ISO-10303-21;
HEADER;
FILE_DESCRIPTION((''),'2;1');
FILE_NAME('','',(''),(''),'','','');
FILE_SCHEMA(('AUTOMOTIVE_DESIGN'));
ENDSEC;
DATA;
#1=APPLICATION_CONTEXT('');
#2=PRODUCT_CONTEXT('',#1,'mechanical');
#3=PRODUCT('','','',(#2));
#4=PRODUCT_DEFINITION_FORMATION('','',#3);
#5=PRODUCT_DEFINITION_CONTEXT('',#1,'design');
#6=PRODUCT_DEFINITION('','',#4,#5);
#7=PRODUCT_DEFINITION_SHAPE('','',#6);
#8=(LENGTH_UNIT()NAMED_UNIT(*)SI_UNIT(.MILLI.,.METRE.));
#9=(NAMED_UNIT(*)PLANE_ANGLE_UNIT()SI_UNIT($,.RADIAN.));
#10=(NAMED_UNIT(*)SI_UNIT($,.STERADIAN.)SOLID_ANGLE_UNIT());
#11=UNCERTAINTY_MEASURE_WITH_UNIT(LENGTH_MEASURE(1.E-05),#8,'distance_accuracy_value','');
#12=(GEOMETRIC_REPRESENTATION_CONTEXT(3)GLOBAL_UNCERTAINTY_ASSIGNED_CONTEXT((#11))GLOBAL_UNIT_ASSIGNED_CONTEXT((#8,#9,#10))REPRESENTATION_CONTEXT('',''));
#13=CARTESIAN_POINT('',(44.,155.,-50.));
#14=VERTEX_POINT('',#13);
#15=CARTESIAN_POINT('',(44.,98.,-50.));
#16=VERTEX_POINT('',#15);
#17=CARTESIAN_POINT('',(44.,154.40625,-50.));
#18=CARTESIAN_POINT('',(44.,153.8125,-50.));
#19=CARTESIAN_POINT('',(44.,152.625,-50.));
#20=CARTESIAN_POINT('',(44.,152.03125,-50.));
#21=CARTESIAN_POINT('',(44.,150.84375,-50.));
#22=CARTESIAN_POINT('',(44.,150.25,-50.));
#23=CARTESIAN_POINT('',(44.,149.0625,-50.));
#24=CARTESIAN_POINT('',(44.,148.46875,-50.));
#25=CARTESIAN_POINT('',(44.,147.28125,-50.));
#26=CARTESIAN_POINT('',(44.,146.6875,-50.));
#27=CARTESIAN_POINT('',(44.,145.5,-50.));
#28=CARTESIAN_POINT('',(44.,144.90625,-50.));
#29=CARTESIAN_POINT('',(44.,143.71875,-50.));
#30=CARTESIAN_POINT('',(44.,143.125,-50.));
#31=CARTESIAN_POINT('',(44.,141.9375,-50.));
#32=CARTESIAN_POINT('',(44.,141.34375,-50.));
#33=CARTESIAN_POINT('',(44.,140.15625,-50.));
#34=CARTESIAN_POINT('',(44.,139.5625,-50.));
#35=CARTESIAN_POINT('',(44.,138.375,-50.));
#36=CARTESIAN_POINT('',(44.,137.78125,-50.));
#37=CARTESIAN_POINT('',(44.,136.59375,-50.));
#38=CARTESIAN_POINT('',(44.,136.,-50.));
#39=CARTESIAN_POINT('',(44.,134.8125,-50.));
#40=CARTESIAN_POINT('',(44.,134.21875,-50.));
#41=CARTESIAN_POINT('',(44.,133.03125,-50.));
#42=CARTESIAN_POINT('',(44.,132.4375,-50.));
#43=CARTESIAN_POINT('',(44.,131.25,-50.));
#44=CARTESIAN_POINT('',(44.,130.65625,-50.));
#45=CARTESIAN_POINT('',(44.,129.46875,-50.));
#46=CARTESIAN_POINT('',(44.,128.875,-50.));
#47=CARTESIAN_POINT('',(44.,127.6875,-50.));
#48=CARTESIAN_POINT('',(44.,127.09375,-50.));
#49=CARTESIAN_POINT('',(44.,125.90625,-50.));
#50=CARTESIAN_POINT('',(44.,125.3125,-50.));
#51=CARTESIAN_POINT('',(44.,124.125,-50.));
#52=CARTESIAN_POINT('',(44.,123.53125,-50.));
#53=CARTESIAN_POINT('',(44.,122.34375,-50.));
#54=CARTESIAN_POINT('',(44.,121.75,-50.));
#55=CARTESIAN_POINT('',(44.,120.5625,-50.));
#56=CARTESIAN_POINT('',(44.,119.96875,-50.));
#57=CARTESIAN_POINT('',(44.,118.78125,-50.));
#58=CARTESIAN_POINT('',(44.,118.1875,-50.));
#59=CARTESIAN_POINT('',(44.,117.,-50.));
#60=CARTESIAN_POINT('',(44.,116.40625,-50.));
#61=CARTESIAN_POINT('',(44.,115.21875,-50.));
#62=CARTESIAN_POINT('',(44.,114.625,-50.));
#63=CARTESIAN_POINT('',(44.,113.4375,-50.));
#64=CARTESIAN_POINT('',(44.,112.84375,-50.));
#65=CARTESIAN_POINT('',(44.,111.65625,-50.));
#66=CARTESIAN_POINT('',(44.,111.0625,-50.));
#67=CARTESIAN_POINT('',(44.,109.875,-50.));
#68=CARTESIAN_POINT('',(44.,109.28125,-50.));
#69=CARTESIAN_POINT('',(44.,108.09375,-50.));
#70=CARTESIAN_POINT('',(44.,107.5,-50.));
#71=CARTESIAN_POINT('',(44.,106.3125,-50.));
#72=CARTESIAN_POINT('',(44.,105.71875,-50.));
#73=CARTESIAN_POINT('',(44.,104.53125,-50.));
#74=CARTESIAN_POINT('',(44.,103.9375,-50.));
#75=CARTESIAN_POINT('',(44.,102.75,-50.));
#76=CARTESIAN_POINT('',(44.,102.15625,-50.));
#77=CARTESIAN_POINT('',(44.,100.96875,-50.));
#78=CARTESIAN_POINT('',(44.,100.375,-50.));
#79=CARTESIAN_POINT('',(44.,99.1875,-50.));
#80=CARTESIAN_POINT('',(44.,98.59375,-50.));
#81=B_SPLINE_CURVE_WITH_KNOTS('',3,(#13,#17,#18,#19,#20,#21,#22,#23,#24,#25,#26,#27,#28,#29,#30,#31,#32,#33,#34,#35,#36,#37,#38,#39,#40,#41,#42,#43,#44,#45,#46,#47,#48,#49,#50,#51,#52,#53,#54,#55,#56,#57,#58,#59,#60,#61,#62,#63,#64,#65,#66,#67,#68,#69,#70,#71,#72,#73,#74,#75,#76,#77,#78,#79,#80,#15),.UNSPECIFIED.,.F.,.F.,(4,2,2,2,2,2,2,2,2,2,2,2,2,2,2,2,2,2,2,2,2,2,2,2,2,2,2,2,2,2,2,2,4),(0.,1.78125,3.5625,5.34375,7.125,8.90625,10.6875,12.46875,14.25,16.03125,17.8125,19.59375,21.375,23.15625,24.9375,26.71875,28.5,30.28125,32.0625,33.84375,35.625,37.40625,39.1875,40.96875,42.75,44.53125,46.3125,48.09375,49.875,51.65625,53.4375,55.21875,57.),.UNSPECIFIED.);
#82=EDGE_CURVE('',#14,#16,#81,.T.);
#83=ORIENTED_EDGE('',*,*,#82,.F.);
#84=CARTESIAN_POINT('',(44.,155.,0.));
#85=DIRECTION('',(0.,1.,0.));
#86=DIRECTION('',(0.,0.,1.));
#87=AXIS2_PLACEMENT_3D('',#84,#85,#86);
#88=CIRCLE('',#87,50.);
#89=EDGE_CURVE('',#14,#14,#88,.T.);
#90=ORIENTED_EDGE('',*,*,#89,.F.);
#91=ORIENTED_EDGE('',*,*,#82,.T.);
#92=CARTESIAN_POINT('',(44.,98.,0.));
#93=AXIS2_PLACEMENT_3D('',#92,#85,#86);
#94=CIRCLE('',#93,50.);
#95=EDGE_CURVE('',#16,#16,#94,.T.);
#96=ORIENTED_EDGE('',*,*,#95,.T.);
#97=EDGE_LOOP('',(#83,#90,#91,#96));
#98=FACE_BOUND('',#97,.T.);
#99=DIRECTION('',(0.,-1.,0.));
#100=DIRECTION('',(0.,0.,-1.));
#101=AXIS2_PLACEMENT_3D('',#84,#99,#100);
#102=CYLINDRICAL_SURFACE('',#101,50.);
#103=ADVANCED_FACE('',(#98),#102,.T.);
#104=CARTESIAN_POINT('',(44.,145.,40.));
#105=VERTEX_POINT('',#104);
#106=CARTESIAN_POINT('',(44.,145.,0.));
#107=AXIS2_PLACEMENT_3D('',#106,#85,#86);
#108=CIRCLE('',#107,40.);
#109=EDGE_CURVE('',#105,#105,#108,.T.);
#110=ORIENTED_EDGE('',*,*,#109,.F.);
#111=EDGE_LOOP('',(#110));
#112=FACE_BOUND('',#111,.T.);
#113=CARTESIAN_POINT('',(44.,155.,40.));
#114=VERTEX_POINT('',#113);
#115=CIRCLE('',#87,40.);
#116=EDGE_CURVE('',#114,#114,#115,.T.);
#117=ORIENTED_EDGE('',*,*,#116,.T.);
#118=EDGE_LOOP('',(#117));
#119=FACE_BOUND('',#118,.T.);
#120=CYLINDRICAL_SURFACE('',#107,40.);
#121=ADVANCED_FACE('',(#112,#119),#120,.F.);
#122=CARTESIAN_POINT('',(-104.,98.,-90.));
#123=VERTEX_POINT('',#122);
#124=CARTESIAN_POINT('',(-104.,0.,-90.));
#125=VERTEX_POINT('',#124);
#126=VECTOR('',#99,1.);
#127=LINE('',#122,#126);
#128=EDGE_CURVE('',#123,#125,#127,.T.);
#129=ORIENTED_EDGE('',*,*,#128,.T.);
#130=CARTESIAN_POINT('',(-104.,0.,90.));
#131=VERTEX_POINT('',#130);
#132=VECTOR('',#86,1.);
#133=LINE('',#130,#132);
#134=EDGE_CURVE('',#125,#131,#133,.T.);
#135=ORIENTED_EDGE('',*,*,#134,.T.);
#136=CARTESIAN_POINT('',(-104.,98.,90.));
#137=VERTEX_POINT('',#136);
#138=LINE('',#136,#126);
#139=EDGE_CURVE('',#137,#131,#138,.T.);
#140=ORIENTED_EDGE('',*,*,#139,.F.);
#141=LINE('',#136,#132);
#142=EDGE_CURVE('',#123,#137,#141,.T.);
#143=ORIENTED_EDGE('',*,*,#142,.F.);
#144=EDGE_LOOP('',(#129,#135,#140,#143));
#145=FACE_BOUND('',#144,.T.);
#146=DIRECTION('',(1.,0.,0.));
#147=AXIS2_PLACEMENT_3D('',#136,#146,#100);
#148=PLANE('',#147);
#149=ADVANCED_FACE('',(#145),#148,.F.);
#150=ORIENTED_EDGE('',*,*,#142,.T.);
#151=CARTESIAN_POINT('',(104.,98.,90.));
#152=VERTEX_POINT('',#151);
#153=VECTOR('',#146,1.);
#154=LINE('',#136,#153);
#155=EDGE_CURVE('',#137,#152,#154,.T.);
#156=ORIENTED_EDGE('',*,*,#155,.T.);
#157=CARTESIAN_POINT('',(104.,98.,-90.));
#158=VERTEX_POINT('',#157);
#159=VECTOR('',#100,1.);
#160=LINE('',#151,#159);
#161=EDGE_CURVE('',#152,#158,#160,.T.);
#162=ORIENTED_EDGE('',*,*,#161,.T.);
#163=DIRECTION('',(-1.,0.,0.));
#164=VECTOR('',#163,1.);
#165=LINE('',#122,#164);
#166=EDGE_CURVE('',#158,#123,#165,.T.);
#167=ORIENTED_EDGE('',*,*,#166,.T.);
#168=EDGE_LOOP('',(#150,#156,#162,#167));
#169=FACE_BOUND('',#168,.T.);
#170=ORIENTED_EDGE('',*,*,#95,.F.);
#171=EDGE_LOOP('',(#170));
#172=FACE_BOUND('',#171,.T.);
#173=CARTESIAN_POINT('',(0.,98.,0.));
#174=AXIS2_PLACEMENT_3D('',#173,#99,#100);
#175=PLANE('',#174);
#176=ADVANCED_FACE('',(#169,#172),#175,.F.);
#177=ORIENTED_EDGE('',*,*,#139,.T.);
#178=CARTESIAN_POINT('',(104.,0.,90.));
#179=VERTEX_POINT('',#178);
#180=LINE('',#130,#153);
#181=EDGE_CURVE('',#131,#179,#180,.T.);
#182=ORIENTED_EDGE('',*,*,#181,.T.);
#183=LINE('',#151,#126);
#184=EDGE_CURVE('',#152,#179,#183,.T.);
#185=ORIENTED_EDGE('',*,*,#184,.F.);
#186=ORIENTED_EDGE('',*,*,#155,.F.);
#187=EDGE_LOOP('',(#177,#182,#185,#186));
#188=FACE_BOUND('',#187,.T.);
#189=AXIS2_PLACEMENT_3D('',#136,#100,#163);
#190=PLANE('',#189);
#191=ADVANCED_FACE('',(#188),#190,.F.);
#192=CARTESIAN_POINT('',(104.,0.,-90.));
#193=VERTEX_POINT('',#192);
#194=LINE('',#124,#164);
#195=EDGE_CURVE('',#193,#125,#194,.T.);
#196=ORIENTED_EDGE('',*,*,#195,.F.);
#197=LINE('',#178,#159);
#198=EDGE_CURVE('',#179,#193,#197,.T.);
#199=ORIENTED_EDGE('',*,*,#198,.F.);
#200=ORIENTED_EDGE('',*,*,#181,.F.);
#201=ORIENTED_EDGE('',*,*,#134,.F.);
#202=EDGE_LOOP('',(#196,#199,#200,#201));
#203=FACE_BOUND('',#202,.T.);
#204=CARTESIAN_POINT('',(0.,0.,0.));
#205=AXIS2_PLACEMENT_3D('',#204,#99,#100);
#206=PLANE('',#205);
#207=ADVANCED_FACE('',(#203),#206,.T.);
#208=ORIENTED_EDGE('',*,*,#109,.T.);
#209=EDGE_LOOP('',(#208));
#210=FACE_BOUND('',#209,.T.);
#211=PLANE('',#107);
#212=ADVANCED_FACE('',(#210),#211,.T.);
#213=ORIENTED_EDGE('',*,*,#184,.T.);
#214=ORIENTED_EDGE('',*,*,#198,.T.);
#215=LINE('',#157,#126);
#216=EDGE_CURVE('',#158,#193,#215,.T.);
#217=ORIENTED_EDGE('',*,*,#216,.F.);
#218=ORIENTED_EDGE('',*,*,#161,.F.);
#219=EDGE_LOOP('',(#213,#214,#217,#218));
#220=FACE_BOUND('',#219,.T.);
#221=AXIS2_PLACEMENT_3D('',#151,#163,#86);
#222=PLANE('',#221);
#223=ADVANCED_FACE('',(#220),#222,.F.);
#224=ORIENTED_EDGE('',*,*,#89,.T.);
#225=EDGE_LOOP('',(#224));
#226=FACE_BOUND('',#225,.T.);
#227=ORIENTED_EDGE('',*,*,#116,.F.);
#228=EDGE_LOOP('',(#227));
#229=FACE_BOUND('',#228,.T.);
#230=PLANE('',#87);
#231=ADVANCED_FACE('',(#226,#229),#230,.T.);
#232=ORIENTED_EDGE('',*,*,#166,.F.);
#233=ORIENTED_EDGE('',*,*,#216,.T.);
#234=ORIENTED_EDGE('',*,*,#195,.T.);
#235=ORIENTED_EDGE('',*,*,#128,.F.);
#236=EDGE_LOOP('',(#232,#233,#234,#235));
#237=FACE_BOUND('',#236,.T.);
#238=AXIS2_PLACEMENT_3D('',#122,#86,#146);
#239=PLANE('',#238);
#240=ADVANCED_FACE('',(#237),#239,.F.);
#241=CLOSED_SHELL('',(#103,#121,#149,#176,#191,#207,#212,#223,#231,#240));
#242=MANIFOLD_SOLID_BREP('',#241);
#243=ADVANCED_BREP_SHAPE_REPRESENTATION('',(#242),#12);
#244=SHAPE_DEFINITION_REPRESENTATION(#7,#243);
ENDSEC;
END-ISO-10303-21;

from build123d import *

# Parameters (mm, degrees)
SKETCH1_W           = 208
SKETCH1_H           = 180
BOSS_EXTRUDE1_DEPTH = 98
SKETCH2_R           = 50
BOSS_EXTRUDE2_DEPTH = 57
SKETCH3_R           = 40
CUT_EXTRUDE1_DEPTH  = 10


with BuildPart() as part:
    # Sketch1 → Boss-Extrude1 (new body)
    with BuildSketch(Plane(origin=(0, 0, 0), x_dir=(1, 0, 0), z_dir=(0, 1, 0))):
        Rectangle(SKETCH1_W, SKETCH1_H)
    extrude(amount=BOSS_EXTRUDE1_DEPTH)

    # Sketch2 → Boss-Extrude2 (add)
    with BuildSketch(Plane(origin=(0, 98, 0), x_dir=(1, 0, 0), z_dir=(0, 1, 0))):
        with Locations(Location((44, 0, 0), (0, 0, 90))):
            Circle(SKETCH2_R)
    extrude(amount=BOSS_EXTRUDE2_DEPTH)

    # Sketch3 → Cut-Extrude1 (cut)
    with BuildSketch(Plane(origin=(0, 155, 0), x_dir=(1, 0, 0), z_dir=(0, 1, 0))):
        with Locations(Location((44, 0, 0), (0, 0, 270))):
            Circle(SKETCH3_R)
    extrude(amount=-CUT_EXTRUDE1_DEPTH, mode=Mode.SUBTRACT)


solid = part.part
